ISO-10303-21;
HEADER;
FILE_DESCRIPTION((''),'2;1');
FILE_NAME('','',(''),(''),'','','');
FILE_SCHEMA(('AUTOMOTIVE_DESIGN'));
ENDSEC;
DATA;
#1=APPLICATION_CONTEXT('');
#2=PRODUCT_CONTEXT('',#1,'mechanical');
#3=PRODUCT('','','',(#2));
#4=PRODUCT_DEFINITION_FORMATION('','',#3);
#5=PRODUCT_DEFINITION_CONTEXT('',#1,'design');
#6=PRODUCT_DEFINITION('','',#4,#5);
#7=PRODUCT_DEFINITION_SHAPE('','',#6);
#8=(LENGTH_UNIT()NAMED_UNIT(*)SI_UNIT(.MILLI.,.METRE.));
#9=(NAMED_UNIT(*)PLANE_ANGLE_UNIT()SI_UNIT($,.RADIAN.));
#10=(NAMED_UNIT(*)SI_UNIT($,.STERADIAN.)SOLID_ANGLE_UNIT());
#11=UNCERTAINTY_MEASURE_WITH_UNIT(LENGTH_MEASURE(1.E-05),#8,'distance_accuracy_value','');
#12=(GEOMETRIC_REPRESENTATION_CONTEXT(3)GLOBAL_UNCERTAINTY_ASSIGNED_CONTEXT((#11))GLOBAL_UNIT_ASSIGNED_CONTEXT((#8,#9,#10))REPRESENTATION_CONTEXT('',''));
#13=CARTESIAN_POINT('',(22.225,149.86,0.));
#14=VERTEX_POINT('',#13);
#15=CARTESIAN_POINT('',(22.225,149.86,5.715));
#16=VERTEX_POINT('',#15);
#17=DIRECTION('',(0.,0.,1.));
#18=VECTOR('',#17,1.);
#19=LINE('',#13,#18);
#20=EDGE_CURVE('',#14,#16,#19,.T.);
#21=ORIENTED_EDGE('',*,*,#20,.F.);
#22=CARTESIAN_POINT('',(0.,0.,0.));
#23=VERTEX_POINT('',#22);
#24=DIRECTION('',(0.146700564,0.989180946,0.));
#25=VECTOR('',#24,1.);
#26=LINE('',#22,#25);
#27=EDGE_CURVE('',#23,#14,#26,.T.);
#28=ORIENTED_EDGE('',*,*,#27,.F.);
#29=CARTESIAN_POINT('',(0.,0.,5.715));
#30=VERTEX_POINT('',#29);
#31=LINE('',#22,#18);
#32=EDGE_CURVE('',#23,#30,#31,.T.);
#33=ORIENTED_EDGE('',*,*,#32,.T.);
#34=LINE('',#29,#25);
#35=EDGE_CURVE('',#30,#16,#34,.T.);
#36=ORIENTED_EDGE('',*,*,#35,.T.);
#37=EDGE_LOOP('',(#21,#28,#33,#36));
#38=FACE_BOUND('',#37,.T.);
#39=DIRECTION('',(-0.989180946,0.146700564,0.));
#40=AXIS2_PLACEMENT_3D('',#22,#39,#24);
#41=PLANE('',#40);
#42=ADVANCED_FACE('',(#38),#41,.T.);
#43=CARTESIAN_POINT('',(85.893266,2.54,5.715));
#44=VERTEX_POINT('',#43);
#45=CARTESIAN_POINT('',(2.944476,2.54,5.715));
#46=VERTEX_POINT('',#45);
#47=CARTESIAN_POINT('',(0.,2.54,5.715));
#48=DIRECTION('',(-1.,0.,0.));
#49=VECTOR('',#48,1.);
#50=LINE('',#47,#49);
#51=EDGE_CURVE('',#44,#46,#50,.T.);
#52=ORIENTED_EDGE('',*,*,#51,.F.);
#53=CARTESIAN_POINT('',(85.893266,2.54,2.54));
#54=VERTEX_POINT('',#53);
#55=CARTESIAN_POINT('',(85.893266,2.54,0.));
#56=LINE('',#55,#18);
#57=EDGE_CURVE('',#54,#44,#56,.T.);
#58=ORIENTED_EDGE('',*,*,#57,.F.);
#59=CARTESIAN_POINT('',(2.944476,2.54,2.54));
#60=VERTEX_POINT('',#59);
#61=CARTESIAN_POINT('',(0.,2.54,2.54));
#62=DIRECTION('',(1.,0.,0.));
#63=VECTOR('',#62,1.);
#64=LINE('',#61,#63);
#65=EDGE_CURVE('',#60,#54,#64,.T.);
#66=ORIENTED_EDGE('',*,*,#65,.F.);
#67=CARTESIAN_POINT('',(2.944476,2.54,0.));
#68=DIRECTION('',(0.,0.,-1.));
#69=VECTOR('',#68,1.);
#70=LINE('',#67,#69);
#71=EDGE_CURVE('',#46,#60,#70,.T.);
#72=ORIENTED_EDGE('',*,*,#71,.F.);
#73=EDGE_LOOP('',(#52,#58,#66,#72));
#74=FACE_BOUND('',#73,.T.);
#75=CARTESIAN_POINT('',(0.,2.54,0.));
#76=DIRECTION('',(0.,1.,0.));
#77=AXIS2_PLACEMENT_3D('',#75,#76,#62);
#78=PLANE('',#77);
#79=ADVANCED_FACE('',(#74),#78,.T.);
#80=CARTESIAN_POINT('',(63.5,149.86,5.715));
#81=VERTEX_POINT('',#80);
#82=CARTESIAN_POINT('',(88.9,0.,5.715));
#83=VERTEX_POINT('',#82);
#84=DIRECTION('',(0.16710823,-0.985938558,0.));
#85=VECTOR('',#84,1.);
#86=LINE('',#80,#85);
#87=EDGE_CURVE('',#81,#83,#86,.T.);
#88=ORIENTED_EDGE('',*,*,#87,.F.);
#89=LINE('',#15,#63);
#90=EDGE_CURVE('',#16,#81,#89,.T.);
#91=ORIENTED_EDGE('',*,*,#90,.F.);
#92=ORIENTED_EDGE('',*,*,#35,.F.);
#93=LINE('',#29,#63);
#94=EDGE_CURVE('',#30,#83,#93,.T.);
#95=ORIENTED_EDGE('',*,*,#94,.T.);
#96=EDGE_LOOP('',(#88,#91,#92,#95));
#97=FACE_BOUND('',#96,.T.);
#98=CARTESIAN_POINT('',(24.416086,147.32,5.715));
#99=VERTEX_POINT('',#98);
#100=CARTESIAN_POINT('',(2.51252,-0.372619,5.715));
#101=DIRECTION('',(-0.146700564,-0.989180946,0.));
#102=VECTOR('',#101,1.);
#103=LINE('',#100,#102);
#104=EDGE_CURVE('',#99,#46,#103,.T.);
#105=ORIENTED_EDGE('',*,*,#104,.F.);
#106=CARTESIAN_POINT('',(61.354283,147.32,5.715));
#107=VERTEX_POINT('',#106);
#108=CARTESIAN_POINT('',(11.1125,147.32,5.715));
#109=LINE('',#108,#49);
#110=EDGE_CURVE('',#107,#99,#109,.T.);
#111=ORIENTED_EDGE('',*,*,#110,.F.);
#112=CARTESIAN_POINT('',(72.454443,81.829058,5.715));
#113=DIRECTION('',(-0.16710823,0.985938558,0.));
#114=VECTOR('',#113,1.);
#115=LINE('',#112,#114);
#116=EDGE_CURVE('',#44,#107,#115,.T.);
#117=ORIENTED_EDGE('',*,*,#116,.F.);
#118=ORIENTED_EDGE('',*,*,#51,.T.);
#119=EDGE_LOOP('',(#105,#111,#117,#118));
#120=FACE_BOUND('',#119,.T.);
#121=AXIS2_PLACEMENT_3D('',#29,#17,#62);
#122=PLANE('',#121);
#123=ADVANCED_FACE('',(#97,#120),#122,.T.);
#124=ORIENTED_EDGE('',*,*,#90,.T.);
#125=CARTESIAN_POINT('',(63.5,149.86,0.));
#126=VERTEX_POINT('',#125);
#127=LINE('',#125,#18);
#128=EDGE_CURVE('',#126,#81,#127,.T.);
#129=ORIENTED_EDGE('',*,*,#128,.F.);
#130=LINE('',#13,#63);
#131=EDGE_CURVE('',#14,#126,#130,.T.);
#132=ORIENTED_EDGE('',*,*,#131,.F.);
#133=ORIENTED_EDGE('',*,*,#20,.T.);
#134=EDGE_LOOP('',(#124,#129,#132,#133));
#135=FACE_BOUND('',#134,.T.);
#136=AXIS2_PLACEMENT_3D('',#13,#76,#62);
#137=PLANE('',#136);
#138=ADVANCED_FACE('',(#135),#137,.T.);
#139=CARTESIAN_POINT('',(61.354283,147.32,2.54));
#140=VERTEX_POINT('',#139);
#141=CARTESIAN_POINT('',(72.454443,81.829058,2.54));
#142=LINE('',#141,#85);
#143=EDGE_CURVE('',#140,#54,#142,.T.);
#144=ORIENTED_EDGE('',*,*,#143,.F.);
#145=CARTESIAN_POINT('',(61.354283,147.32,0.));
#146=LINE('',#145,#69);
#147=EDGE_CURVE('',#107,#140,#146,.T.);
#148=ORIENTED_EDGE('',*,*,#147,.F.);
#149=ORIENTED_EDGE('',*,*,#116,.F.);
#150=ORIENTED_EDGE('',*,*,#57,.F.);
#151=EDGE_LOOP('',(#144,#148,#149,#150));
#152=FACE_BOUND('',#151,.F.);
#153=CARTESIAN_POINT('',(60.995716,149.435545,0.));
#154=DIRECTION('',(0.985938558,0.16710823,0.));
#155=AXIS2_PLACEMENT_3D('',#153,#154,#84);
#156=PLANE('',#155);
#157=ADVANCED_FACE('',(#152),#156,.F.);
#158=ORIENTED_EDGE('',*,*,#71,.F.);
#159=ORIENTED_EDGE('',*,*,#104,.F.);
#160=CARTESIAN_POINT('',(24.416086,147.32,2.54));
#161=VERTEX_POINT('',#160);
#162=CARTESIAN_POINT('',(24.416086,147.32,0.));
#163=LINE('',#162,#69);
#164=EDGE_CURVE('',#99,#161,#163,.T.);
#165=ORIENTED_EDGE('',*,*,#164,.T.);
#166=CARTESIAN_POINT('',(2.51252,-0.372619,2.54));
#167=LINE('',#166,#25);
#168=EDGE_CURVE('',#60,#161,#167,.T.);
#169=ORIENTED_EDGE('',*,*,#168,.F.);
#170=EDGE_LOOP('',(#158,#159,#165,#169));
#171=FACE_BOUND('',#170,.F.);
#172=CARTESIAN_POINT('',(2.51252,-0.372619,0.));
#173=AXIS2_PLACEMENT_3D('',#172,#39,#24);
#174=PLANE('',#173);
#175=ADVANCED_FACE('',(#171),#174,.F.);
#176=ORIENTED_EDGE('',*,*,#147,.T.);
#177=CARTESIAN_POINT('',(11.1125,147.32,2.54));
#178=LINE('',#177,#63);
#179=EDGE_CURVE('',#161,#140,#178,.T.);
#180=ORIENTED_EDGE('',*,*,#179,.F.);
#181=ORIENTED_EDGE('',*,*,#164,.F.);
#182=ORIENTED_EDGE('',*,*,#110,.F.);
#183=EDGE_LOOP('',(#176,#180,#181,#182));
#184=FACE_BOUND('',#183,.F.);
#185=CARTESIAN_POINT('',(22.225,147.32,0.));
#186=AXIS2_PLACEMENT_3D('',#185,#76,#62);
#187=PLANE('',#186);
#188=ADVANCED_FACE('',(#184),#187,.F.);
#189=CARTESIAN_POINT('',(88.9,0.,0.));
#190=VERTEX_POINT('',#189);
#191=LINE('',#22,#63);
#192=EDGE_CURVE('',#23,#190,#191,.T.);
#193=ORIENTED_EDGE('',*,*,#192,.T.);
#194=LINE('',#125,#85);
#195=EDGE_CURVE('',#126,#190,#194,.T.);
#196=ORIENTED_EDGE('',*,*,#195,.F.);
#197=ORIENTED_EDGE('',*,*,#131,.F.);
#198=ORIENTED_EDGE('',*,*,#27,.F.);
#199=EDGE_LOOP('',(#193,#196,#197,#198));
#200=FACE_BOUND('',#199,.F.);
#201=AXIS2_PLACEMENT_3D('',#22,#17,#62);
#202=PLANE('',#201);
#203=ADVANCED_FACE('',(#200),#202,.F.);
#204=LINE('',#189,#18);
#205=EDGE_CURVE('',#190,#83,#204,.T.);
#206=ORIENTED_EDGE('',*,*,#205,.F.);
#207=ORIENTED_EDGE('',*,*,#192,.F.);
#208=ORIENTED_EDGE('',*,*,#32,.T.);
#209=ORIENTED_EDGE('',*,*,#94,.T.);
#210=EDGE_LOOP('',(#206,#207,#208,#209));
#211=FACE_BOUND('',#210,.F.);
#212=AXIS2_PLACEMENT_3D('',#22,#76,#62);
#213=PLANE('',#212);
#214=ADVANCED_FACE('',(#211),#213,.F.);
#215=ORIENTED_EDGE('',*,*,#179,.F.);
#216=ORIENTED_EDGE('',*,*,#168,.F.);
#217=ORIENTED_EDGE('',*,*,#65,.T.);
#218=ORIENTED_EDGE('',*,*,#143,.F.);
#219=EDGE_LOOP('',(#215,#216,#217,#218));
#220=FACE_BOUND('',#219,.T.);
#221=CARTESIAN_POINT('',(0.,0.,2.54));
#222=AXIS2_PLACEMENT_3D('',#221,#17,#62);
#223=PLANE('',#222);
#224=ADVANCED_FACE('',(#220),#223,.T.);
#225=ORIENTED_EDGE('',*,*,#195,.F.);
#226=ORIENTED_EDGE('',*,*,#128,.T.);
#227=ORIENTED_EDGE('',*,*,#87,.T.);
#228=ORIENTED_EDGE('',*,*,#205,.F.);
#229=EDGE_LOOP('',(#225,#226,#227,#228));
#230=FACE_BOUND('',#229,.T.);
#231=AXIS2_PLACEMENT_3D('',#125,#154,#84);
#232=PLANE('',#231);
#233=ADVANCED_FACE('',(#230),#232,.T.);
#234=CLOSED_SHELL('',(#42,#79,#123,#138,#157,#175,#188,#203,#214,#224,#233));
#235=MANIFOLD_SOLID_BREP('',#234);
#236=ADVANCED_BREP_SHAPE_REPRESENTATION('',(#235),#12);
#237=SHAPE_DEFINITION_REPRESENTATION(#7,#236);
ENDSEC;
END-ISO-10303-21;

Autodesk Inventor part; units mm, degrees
ref_plane "YZ Plane" through (0, 0, 0) normal (1, 0, 0) x (0, 1, 0)
ref_plane "XZ Plane" through (0, 0, 0) normal (0, 1, 0) x (-1, 0, 0)
ref_plane "XY Plane" through (0, 0, 0) normal (0, 0, 1) x (1, 0, 0)
sketch "Sketch1" plane through (0, 0, 0) normal (0, 0, 1) x (1, 0, 0)
  line L0 (0, 0) -> (88.9, 0)
  line L1 (22.225, 149.86) -> (63.5, 149.86)
  line L2 (63.5, 149.86) -> (88.9, 0)
  line L3 (0, 0) -> (22.225, 149.86)
  dimension "d0" = 88.9
  dimension "d1" = 41.275
extrude "Extrusion1" add sketch "Sketch1" along normal blind 5.715
shell "Shell1" thickness 2.54 removed faces 1 at (50.8, 49.9533, 5.715)
properties part number "GearProtector"
